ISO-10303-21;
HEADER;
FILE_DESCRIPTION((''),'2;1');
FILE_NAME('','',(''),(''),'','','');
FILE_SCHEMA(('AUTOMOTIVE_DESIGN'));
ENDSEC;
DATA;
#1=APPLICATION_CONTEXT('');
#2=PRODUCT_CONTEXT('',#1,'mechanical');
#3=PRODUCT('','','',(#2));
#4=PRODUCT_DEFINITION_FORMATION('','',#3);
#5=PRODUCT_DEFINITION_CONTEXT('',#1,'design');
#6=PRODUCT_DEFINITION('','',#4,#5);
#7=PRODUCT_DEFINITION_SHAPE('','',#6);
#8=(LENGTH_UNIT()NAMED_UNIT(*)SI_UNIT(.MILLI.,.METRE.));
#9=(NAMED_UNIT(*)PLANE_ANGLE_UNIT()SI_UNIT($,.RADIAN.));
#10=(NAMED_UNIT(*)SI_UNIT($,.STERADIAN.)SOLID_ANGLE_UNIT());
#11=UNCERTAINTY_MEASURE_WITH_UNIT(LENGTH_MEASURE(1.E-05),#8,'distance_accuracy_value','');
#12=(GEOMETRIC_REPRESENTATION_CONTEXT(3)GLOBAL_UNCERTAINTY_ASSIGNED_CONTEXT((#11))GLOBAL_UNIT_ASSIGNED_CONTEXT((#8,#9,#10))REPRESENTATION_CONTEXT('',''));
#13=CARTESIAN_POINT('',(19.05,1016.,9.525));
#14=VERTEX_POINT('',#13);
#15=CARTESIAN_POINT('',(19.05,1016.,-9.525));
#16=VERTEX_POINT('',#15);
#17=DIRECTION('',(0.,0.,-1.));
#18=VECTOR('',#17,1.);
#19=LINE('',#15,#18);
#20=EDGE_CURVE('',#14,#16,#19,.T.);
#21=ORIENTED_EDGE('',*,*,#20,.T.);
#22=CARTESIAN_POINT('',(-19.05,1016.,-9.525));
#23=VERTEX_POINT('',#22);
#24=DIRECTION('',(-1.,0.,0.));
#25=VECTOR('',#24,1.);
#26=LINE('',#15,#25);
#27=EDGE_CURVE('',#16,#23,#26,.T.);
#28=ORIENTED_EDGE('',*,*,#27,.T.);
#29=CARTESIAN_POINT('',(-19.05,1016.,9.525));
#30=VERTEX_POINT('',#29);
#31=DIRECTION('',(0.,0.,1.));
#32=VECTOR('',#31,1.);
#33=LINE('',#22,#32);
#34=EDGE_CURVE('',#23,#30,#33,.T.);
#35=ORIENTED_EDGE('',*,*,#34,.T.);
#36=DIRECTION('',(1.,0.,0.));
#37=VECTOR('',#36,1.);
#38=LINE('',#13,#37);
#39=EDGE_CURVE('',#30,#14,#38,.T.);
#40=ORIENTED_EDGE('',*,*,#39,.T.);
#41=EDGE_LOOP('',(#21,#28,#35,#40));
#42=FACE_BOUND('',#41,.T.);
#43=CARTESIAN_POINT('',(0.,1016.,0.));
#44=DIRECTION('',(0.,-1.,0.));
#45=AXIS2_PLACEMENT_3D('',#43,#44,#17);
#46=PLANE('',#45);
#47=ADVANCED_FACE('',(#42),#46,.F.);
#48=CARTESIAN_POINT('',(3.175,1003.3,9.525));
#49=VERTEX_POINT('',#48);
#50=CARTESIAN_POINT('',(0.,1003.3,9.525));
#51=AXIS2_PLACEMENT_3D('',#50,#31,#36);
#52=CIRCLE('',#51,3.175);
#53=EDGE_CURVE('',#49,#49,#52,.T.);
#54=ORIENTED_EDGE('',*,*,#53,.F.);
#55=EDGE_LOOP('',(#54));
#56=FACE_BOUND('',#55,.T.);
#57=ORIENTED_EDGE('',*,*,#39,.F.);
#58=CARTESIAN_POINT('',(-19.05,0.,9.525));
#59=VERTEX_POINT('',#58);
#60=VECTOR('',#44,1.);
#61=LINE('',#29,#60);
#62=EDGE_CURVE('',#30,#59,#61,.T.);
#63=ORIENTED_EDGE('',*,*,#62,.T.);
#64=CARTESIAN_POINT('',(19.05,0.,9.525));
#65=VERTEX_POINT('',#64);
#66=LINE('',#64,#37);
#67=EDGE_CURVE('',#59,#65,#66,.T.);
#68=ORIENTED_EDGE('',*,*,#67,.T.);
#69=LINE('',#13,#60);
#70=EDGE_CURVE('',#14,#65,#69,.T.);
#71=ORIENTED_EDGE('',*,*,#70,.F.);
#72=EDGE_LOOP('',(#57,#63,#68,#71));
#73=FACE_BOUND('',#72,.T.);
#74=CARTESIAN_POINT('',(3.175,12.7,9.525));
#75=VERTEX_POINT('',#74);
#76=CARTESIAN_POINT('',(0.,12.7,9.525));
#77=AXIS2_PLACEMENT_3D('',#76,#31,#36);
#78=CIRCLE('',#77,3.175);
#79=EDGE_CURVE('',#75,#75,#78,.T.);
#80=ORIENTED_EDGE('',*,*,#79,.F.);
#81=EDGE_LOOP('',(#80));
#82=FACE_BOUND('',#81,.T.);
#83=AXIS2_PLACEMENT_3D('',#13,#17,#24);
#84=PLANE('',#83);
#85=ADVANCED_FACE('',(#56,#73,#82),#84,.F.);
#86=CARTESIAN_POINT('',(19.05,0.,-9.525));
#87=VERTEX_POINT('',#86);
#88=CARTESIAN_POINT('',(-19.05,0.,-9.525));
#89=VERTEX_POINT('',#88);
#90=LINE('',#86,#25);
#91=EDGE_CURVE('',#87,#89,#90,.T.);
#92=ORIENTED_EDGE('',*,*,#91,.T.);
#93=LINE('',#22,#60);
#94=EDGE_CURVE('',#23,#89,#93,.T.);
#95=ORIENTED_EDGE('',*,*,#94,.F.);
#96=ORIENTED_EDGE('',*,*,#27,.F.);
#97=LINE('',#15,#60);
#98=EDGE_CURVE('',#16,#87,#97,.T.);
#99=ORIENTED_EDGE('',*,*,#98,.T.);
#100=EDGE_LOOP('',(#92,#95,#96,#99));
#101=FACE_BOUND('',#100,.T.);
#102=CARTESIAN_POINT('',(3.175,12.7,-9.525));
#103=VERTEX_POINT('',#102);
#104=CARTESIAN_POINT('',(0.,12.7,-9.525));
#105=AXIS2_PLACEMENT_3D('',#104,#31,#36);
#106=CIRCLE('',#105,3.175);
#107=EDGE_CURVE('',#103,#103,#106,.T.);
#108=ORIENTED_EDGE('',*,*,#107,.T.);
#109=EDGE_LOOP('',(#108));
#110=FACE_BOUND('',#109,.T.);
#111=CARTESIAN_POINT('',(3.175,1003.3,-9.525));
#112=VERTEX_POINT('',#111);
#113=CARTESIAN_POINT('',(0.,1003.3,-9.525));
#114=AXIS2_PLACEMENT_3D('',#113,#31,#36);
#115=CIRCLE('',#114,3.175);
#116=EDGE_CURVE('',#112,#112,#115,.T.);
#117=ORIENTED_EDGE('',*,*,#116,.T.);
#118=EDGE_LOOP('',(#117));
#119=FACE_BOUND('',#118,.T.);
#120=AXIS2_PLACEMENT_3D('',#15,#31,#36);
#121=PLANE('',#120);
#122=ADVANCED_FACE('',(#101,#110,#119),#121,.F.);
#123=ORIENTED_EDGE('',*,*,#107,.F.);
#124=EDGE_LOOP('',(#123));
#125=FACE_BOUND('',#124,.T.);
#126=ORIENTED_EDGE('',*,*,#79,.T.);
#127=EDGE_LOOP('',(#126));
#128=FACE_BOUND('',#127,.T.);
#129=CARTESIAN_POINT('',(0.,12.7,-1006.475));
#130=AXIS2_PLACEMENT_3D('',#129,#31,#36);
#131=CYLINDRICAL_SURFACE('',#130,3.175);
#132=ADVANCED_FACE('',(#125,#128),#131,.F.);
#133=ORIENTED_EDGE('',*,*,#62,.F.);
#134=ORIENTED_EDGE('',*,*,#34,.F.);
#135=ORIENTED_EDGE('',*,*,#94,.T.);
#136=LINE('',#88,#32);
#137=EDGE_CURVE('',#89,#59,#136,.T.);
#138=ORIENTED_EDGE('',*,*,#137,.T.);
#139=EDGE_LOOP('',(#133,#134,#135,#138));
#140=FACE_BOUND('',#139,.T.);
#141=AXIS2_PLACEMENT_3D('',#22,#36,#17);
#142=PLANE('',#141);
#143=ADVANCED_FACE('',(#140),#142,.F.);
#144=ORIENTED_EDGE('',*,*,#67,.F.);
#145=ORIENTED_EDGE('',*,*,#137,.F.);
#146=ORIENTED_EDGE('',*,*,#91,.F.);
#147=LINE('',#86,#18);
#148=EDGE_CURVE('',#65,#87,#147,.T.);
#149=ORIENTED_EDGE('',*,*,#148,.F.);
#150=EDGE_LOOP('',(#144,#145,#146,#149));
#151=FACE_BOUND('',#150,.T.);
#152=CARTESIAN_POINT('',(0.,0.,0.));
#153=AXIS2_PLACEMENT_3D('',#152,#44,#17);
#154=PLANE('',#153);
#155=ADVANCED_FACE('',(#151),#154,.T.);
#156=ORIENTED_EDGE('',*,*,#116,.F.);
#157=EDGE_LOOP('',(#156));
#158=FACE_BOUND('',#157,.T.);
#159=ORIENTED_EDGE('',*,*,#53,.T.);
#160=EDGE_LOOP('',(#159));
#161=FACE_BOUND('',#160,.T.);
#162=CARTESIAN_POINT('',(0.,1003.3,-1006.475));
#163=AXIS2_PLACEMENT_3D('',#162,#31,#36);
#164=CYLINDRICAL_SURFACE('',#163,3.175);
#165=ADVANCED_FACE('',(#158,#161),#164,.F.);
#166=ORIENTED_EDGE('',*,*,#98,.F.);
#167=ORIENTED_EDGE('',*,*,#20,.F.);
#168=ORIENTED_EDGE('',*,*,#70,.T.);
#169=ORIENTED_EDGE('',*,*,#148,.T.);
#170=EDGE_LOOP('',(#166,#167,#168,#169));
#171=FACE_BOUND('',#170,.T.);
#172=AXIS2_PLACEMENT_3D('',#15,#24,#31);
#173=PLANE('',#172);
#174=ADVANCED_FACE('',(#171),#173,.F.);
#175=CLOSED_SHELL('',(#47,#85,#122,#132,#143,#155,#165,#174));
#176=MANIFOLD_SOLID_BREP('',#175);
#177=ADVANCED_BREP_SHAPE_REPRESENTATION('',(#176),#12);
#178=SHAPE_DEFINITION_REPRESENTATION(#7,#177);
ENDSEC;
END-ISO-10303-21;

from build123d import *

# Parameters (mm, degrees)
SKETCH1_W           = 38.1
SKETCH1_H           = 19.05
BOSS_EXTRUDE1_DEPTH = 1016
SKETCH2_R           = 3.175
CUT_EXTRUDE1_DEPTH  = 1016


with BuildPart() as part:
    # Sketch1 → Boss-Extrude1 (new body)
    with BuildSketch(Plane(origin=(0, 0, 0), x_dir=(1, 0, 0), z_dir=(0, 1, 0))):
        Rectangle(SKETCH1_W, SKETCH1_H)
    extrude(amount=BOSS_EXTRUDE1_DEPTH)

    # Sketch2 → Cut-Extrude1 (cut)
    with BuildSketch(Plane.XY.offset(9.525)):
        with Locations((0, 12.7)):
            Circle(SKETCH2_R)
        with Locations((0, 1003.3)):
            Circle(SKETCH2_R)
    extrude(amount=-CUT_EXTRUDE1_DEPTH, mode=Mode.SUBTRACT)


solid = part.part
